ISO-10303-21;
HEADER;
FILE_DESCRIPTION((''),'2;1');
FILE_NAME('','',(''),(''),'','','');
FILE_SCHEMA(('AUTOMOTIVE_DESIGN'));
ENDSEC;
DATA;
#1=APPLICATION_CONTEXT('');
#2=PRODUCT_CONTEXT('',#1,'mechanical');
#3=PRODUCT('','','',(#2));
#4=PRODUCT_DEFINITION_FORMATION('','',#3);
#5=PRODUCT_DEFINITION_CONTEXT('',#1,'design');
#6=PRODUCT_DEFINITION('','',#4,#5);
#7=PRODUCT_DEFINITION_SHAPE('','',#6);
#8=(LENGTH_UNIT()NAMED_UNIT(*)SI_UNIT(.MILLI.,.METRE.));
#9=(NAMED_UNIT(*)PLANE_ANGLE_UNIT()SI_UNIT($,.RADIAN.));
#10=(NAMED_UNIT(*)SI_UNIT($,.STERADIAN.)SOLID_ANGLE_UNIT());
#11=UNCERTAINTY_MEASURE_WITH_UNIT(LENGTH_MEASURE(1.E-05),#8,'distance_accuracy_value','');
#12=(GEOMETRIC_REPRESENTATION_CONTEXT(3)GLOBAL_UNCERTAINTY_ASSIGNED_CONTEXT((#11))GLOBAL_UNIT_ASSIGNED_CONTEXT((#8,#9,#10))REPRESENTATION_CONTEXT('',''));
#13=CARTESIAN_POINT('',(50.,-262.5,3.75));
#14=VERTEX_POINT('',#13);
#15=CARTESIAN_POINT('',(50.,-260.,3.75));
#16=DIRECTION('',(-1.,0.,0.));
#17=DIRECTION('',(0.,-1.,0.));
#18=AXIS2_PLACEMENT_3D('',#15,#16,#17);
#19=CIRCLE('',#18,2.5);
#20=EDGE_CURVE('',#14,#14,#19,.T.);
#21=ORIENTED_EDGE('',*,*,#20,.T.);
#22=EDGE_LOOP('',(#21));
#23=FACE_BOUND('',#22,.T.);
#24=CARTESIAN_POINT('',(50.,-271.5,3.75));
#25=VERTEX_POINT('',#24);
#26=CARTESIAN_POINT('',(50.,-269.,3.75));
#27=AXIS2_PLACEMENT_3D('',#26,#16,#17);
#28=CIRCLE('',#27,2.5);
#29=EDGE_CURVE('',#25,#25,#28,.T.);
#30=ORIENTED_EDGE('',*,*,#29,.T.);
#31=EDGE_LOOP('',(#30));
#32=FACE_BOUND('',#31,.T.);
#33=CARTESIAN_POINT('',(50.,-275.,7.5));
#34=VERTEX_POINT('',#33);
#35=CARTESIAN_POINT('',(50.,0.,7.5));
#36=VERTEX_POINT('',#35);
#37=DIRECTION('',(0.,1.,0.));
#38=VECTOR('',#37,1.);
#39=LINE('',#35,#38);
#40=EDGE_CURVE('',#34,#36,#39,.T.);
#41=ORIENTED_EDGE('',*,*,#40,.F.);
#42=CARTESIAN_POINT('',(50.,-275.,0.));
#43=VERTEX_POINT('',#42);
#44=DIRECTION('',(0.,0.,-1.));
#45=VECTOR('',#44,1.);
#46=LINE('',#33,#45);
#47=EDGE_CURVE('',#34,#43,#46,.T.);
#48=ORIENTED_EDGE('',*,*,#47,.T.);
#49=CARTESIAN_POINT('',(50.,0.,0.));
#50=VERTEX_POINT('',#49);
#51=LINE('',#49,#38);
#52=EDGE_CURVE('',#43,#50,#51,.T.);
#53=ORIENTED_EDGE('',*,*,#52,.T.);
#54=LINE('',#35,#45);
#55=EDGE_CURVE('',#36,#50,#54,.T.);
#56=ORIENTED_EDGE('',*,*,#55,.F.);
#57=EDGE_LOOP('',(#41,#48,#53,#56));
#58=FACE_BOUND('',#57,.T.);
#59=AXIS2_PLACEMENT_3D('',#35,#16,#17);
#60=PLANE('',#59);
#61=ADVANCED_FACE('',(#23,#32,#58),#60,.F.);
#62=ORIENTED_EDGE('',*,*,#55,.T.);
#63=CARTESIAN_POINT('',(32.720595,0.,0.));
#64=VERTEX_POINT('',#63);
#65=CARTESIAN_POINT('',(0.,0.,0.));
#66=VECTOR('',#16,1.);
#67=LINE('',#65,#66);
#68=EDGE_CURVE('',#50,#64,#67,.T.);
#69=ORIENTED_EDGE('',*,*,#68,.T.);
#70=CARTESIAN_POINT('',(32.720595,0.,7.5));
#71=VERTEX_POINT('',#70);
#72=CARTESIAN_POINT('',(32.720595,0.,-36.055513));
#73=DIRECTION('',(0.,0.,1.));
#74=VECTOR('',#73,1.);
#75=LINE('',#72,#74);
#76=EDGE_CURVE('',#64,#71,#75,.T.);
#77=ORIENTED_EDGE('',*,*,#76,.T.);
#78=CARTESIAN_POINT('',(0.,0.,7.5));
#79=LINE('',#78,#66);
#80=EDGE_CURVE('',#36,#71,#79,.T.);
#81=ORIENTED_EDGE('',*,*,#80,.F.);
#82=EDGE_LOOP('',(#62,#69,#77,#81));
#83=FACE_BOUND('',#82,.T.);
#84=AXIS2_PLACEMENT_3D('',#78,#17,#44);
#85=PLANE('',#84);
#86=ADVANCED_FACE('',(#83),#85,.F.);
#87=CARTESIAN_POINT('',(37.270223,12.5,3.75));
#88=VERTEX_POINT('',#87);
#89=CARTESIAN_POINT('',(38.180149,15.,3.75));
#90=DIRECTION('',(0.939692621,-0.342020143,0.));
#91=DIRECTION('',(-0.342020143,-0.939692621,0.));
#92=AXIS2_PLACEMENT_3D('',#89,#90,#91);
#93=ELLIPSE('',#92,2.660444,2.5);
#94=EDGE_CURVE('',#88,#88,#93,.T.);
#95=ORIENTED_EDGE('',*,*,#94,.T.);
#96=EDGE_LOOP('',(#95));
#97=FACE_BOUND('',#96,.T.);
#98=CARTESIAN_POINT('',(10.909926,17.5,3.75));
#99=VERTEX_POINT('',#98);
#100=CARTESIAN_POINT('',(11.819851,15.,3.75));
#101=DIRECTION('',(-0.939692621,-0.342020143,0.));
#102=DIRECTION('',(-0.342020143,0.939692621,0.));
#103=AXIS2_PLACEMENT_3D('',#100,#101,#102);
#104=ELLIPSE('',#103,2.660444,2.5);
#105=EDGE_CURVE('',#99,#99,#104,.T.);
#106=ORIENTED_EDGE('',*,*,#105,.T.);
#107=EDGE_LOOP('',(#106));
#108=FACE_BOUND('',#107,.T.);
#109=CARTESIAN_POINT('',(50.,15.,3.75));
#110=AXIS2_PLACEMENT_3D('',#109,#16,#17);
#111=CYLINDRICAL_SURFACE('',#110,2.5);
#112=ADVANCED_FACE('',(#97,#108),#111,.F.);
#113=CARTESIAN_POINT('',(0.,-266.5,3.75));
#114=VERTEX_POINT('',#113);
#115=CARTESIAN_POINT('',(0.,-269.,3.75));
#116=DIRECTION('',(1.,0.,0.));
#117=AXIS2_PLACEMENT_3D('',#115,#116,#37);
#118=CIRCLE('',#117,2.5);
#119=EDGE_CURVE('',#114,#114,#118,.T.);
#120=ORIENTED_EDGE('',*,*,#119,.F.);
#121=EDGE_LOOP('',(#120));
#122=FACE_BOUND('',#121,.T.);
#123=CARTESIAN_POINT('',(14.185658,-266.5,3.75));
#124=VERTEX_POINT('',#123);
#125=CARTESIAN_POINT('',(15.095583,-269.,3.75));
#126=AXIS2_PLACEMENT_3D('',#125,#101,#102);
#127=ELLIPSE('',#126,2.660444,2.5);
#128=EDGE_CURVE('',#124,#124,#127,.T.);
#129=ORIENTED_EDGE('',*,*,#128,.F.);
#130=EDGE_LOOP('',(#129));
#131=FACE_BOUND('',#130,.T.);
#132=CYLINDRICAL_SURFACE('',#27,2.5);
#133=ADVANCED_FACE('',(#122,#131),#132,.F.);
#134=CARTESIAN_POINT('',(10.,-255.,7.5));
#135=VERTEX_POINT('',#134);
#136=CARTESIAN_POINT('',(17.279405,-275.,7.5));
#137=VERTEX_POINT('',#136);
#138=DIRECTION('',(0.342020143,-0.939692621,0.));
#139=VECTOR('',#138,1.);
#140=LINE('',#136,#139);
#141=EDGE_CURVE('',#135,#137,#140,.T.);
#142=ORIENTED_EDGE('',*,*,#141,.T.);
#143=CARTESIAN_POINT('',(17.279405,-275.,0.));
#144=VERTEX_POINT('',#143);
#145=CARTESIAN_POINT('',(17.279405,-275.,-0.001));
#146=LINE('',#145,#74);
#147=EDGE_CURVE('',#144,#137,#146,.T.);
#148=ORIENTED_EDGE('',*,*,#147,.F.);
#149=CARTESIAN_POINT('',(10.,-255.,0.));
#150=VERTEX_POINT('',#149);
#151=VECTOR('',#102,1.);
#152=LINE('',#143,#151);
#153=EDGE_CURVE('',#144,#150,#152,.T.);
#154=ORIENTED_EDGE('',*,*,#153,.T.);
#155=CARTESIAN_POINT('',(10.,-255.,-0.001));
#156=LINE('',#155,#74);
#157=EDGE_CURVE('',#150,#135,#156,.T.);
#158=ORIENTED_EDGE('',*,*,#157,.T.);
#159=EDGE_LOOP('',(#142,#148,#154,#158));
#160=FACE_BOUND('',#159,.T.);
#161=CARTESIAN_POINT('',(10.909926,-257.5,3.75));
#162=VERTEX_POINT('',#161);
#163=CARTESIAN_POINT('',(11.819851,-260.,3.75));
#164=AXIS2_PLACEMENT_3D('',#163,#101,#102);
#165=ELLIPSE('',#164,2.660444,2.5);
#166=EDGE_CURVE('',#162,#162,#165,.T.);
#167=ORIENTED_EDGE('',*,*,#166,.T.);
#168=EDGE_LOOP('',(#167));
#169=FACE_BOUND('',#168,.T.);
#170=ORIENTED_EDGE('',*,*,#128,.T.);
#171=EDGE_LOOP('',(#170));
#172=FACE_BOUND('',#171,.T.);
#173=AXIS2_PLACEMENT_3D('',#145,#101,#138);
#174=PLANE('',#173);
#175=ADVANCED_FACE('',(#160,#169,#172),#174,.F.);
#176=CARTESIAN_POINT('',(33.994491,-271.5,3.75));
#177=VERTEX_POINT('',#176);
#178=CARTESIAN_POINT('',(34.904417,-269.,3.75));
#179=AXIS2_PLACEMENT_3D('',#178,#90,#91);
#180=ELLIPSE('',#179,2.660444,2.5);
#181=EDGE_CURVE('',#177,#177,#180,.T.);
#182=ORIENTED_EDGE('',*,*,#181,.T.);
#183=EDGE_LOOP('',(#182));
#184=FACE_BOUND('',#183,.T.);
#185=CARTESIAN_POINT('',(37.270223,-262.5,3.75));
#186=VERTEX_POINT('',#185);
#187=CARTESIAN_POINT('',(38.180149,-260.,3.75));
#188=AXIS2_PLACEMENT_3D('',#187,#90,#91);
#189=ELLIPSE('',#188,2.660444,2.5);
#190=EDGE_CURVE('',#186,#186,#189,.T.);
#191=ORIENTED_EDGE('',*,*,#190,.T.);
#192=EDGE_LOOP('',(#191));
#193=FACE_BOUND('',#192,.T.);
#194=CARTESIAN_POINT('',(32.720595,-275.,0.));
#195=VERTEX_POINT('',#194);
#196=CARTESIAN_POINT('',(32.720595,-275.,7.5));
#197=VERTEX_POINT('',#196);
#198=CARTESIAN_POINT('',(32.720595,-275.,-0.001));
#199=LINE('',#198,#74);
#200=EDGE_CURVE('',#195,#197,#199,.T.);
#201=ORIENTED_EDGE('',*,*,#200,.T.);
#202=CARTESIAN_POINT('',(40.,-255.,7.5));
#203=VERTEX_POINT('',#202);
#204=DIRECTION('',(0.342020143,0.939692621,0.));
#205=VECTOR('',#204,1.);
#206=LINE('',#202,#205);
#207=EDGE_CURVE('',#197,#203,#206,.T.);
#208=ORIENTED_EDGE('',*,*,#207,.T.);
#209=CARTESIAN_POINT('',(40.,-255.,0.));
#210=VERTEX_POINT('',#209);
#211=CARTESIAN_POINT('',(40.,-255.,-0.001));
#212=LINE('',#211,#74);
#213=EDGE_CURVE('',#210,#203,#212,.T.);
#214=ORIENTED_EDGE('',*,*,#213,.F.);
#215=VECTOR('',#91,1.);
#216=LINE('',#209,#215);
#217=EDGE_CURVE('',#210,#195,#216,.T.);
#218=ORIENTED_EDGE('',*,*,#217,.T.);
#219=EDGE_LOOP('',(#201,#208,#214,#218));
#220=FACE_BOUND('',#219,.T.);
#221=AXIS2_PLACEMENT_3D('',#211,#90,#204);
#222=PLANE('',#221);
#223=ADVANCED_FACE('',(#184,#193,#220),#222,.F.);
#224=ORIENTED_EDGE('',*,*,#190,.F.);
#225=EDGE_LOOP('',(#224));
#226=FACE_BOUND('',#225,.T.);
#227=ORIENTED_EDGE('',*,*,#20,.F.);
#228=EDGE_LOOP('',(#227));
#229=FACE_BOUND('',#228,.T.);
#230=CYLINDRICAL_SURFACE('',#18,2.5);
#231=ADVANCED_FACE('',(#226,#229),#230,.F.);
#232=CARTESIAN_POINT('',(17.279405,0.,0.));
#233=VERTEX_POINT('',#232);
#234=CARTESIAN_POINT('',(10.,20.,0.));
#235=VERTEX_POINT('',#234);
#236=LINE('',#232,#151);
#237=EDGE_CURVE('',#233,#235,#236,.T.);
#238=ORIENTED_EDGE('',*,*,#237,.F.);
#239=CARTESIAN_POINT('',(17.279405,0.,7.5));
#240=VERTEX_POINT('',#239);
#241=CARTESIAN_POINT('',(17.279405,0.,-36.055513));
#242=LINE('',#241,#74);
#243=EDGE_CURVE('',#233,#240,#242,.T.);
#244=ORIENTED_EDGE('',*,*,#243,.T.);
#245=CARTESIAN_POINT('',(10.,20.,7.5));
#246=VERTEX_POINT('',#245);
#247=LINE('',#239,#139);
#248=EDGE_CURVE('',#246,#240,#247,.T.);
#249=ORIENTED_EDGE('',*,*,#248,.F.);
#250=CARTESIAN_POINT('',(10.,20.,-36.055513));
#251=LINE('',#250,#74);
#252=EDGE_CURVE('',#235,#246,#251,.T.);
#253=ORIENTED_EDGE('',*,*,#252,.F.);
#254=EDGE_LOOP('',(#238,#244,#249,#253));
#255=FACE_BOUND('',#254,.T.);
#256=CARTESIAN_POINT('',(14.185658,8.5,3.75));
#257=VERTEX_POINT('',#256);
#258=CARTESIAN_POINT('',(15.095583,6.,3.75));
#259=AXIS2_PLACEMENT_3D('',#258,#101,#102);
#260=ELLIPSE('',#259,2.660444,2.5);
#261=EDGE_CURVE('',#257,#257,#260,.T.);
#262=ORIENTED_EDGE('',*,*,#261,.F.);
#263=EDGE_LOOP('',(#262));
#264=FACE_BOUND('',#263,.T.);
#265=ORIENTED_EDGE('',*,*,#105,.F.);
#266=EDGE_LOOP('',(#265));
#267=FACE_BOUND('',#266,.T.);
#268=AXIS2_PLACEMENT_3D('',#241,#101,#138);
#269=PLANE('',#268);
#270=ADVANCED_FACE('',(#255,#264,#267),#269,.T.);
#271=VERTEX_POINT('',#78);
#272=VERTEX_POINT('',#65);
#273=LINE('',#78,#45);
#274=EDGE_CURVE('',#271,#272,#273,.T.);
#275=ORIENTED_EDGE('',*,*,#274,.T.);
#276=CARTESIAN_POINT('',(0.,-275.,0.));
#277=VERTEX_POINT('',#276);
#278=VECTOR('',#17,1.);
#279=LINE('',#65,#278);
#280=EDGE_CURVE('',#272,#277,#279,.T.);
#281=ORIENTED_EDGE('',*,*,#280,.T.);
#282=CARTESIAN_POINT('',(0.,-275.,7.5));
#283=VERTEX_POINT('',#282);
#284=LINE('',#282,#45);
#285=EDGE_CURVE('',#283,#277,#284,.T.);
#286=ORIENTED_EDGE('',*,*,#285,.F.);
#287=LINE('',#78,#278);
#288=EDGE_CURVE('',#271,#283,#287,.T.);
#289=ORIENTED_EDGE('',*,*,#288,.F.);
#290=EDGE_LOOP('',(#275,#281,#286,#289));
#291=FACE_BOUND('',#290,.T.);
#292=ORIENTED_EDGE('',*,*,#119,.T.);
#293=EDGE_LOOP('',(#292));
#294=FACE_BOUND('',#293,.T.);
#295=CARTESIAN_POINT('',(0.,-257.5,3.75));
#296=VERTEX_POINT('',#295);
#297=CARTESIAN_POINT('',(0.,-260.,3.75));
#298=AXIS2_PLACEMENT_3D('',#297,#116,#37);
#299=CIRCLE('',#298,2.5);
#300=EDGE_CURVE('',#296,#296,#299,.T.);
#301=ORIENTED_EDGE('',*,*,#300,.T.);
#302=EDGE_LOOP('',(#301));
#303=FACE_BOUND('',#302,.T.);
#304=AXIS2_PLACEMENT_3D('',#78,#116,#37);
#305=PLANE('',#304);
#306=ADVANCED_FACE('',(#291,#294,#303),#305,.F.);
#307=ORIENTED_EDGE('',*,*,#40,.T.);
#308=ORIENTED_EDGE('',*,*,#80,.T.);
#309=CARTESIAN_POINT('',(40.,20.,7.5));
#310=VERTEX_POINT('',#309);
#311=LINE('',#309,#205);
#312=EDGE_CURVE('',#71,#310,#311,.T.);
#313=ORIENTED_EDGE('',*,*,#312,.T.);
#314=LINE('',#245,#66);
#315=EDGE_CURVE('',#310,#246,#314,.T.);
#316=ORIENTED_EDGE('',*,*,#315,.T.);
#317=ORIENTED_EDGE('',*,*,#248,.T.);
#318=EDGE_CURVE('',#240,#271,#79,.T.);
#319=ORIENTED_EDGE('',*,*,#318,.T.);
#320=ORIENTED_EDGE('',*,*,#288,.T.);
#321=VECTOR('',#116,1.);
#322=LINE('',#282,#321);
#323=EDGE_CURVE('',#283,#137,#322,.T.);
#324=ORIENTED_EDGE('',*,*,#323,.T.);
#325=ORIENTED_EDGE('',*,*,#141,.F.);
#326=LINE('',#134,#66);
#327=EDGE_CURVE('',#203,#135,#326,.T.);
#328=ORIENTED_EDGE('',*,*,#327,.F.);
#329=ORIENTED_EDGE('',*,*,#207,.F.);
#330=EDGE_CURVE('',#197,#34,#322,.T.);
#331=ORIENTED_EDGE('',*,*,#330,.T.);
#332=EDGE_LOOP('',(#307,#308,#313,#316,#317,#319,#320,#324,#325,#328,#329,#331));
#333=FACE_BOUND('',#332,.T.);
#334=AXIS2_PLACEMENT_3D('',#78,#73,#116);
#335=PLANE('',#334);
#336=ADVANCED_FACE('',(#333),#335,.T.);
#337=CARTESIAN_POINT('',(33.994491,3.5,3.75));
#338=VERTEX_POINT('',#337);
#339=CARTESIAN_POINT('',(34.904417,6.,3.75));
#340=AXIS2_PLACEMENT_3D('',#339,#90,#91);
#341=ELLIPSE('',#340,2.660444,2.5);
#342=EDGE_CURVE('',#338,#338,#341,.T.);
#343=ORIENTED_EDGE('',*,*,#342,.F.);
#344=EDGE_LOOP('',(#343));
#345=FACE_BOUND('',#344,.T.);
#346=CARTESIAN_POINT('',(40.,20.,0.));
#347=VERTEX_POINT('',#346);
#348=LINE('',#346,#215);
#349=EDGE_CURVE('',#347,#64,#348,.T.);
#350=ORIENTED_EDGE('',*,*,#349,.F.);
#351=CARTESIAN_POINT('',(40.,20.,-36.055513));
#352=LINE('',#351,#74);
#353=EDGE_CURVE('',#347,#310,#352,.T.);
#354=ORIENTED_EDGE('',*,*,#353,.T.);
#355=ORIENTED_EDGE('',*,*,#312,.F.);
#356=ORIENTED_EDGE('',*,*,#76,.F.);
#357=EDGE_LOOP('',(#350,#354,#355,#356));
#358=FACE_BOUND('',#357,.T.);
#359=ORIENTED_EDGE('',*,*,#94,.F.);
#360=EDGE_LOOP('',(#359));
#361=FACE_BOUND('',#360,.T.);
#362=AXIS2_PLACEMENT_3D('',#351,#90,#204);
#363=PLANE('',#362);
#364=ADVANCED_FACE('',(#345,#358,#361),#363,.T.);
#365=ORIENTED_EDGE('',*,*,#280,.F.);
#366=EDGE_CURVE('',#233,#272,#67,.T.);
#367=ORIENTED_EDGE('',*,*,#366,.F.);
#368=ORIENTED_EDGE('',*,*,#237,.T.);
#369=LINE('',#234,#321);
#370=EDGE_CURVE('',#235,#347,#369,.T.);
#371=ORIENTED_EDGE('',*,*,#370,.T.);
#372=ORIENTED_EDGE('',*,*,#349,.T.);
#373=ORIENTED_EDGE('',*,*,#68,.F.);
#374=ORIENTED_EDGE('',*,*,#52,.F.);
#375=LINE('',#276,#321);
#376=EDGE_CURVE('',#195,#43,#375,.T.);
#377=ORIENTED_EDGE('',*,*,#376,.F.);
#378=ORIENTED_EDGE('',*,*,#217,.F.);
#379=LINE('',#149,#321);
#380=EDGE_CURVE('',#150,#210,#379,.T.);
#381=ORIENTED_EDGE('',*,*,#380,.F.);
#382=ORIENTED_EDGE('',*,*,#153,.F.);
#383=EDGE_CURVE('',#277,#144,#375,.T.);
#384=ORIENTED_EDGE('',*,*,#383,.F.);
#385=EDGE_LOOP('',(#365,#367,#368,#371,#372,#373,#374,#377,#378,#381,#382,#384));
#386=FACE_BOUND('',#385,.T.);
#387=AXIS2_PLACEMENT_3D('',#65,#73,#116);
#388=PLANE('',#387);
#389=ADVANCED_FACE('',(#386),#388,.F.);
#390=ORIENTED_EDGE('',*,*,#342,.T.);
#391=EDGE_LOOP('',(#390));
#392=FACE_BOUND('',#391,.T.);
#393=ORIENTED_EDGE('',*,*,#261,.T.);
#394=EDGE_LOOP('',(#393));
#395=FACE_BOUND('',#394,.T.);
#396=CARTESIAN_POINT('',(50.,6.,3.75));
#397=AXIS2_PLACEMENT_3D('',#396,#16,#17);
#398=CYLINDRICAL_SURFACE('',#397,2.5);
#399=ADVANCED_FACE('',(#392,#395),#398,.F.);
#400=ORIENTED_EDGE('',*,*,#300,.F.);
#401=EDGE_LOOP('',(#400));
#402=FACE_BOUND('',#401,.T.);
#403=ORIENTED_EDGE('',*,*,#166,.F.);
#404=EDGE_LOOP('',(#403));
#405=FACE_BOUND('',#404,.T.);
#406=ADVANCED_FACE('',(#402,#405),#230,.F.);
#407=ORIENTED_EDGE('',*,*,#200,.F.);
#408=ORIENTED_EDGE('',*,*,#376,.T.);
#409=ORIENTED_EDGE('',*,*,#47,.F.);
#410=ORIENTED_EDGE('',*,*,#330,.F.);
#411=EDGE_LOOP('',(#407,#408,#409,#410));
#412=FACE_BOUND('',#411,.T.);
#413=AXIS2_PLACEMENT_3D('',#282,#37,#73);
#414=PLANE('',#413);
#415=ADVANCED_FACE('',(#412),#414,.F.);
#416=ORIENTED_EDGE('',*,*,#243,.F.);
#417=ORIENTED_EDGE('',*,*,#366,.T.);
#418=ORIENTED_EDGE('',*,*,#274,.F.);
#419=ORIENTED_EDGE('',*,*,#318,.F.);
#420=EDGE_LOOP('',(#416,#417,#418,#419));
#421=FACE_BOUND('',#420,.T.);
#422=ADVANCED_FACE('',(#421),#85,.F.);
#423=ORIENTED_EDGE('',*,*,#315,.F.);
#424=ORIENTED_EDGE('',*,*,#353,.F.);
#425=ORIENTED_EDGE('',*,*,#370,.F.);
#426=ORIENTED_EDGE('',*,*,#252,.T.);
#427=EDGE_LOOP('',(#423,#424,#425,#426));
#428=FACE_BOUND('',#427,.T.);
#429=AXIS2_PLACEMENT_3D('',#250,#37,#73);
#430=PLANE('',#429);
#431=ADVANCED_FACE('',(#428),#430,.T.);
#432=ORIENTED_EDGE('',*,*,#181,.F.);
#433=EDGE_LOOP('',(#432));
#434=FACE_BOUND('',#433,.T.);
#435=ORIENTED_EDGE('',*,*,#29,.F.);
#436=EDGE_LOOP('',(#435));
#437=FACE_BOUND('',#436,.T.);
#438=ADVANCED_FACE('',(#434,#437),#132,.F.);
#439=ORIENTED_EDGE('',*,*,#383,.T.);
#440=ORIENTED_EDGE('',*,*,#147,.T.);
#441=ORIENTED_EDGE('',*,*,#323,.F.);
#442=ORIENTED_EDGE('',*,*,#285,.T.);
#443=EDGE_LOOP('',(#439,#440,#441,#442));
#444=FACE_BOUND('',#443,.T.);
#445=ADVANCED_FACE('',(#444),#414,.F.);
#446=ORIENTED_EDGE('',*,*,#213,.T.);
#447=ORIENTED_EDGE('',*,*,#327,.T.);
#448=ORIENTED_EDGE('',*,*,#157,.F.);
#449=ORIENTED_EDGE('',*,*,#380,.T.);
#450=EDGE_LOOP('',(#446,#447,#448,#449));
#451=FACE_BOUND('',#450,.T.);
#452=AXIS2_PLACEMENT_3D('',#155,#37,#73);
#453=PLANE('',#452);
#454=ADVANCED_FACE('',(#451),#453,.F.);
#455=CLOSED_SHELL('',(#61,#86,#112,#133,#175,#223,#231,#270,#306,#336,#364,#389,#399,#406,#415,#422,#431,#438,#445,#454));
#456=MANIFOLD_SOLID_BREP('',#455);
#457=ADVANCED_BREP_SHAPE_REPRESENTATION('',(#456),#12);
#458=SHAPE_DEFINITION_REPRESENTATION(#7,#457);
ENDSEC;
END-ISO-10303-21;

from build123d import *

# Parameters (mm, degrees)
SKETCH1_W               = 50
SKETCH1_H               = 275
BOSS_EXTRUDE1_DEPTH     = 7.5
BOSS_EXTRUDE2_DEPTH     = 7.5
SKETCH3_R               = 2.5
CUT_EXTRUDE1_DEPTH      = 280.609102141
CUT_EXTRUDE2_REACH      = 281.609
CUT_EXTRUDE3_DEPTH      = 280.609102141
CUT_EXTRUDE3_DEPTH_BACK = 280.609102141
SKETCH5_R               = 2.5


with BuildPart() as part:
    # Sketch1 → Boss-Extrude1 (new body)
    with BuildSketch(Plane.XY):
        with Locations((25, -137.5)):
            Rectangle(SKETCH1_W, SKETCH1_H)
    extrude(amount=BOSS_EXTRUDE1_DEPTH)

    # Sketch2 → Boss-Extrude2 (add)
    with BuildSketch(Plane.XY.offset(7.5)):
        Polygon((17.279404685, 0), (10, 20), (40, 20), (32.720595315, 0), align=None)
    extrude(amount=-BOSS_EXTRUDE2_DEPTH)

    # Sketch3 → Cut-Extrude1 (cut, through all)
    with BuildSketch(Plane.ZY):
        with Locations(Location((3.75, 15, 0), (0, 0, 270))):
            Circle(SKETCH3_R)
        with Locations(Location((3.75, 6, 0), (0, 0, 270))):
            Circle(SKETCH3_R)
    extrude(amount=-CUT_EXTRUDE1_DEPTH, mode=Mode.SUBTRACT)

    # Sketch4 → Cut-Extrude2 (cut, up to next)
    with BuildSketch(Plane.XY.offset(7.5), mode=Mode.PRIVATE) as cut_extrude2_sk1:
        Polygon((17.279404685, -275), (10, -255), (40, -255), (32.720595315, -275), align=None)
    cut_extrude2_tool1 = extrude(cut_extrude2_sk1.sketch, amount=-CUT_EXTRUDE2_REACH, mode=Mode.PRIVATE) & part.part
    add(cut_extrude2_tool1.solids().sort_by_distance((25, -263.93204, 7.5))[0], mode=Mode.SUBTRACT)

    # Sketch5 → Cut-Extrude3 (cut, two sides: drawn at the far end of the back side and taken through both)
    with BuildSketch(Plane.ZY.offset(-CUT_EXTRUDE3_DEPTH_BACK)):
        with Locations(Location((3.75, -269, 0), (0, 0, 270))):
            Circle(SKETCH5_R)
        with Locations(Location((3.75, -260, 0), (0, 0, 270))):
            Circle(SKETCH5_R)
    extrude(amount=CUT_EXTRUDE3_DEPTH + CUT_EXTRUDE3_DEPTH_BACK, mode=Mode.SUBTRACT)


solid = part.part
